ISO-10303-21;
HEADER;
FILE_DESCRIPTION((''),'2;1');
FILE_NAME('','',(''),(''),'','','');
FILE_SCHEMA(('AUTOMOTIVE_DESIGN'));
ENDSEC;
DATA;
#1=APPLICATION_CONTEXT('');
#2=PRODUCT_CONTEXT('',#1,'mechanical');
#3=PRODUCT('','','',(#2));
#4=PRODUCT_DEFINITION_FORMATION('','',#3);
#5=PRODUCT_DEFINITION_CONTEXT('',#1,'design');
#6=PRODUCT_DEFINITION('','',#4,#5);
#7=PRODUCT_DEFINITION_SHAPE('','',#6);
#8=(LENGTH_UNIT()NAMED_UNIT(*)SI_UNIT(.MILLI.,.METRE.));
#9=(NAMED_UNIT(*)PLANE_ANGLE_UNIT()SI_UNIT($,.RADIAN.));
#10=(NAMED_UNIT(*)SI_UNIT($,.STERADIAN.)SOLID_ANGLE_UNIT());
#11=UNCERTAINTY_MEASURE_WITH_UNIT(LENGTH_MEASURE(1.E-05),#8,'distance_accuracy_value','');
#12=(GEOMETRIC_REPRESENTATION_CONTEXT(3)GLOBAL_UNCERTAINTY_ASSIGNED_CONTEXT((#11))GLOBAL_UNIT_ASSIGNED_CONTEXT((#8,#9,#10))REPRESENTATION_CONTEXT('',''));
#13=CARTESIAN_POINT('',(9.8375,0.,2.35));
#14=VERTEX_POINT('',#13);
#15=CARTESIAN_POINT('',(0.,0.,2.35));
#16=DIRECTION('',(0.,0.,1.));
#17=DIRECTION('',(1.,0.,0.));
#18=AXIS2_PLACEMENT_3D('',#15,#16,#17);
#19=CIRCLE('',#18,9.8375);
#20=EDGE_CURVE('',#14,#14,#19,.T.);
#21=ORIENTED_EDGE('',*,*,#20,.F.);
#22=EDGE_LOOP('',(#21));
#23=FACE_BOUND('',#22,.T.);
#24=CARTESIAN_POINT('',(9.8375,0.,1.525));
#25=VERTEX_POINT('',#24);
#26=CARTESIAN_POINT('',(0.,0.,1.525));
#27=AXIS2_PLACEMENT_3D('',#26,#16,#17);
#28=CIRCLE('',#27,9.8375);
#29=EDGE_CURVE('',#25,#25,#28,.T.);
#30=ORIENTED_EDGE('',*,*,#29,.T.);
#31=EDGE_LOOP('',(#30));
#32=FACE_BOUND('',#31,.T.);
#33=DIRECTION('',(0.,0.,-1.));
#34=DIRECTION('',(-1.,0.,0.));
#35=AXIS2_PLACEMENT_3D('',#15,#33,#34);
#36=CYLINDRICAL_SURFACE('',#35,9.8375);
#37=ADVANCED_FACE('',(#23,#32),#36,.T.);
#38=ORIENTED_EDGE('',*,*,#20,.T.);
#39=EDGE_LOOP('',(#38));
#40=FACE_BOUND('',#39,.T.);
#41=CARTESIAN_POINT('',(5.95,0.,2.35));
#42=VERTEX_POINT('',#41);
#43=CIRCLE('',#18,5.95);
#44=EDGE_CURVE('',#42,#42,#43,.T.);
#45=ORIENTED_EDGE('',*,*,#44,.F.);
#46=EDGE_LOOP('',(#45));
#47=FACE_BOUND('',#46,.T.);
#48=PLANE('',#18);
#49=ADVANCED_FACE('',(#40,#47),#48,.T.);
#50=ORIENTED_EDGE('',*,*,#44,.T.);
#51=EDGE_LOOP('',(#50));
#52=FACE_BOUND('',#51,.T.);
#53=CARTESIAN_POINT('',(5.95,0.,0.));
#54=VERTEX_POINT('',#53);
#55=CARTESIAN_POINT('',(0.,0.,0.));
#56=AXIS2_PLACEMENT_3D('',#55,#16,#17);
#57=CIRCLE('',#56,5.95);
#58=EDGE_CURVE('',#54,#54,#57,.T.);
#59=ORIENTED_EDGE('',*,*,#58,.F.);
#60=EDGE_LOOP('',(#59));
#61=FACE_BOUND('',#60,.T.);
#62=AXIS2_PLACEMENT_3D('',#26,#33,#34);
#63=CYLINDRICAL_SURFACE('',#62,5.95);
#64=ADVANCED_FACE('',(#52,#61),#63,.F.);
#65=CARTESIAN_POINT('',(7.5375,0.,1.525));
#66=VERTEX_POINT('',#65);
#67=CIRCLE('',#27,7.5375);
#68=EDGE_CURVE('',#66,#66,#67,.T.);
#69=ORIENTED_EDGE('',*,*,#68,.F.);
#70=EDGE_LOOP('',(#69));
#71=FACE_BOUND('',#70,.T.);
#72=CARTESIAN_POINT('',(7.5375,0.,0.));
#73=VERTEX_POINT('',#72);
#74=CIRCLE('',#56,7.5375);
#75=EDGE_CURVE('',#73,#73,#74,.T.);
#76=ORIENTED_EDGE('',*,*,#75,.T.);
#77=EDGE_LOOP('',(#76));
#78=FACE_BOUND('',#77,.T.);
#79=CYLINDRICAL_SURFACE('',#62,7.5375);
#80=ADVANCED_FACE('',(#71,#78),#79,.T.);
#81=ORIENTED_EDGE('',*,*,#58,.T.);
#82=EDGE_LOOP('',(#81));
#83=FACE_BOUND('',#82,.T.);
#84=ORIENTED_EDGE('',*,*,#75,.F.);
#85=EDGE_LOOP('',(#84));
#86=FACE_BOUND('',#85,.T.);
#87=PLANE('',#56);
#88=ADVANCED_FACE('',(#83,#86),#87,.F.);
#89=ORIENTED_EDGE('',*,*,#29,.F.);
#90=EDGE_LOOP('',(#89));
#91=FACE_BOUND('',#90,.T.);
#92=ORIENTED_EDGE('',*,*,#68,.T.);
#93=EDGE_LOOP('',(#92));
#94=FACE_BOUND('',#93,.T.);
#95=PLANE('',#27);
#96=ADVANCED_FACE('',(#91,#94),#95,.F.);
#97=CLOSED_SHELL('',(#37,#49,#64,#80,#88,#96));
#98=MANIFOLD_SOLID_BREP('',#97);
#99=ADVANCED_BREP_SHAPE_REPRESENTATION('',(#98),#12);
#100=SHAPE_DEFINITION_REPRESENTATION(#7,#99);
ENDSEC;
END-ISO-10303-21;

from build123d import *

# Parameters (mm, degrees)
SKETCH1_R           = 7.5375
SKETCH1_R_2         = 5.95
BOSS_EXTRUDE1_DEPTH = 1.525
SKETCH2_R           = 9.8375
SKETCH2_R_2         = 5.95
BOSS_EXTRUDE2_DEPTH = 0.825


with BuildPart() as part:
    # Sketch1 → Boss-Extrude1 (new body)
    with BuildSketch(Plane.XY):
        Circle(SKETCH1_R)
        Circle(SKETCH1_R_2, mode=Mode.SUBTRACT)
    extrude(amount=BOSS_EXTRUDE1_DEPTH)

    # Sketch2 → Boss-Extrude2 (add)
    with BuildSketch(Plane.XY.offset(1.525)):
        Circle(SKETCH2_R)
        Circle(SKETCH2_R_2, mode=Mode.SUBTRACT)
    extrude(amount=BOSS_EXTRUDE2_DEPTH)


solid = part.part
